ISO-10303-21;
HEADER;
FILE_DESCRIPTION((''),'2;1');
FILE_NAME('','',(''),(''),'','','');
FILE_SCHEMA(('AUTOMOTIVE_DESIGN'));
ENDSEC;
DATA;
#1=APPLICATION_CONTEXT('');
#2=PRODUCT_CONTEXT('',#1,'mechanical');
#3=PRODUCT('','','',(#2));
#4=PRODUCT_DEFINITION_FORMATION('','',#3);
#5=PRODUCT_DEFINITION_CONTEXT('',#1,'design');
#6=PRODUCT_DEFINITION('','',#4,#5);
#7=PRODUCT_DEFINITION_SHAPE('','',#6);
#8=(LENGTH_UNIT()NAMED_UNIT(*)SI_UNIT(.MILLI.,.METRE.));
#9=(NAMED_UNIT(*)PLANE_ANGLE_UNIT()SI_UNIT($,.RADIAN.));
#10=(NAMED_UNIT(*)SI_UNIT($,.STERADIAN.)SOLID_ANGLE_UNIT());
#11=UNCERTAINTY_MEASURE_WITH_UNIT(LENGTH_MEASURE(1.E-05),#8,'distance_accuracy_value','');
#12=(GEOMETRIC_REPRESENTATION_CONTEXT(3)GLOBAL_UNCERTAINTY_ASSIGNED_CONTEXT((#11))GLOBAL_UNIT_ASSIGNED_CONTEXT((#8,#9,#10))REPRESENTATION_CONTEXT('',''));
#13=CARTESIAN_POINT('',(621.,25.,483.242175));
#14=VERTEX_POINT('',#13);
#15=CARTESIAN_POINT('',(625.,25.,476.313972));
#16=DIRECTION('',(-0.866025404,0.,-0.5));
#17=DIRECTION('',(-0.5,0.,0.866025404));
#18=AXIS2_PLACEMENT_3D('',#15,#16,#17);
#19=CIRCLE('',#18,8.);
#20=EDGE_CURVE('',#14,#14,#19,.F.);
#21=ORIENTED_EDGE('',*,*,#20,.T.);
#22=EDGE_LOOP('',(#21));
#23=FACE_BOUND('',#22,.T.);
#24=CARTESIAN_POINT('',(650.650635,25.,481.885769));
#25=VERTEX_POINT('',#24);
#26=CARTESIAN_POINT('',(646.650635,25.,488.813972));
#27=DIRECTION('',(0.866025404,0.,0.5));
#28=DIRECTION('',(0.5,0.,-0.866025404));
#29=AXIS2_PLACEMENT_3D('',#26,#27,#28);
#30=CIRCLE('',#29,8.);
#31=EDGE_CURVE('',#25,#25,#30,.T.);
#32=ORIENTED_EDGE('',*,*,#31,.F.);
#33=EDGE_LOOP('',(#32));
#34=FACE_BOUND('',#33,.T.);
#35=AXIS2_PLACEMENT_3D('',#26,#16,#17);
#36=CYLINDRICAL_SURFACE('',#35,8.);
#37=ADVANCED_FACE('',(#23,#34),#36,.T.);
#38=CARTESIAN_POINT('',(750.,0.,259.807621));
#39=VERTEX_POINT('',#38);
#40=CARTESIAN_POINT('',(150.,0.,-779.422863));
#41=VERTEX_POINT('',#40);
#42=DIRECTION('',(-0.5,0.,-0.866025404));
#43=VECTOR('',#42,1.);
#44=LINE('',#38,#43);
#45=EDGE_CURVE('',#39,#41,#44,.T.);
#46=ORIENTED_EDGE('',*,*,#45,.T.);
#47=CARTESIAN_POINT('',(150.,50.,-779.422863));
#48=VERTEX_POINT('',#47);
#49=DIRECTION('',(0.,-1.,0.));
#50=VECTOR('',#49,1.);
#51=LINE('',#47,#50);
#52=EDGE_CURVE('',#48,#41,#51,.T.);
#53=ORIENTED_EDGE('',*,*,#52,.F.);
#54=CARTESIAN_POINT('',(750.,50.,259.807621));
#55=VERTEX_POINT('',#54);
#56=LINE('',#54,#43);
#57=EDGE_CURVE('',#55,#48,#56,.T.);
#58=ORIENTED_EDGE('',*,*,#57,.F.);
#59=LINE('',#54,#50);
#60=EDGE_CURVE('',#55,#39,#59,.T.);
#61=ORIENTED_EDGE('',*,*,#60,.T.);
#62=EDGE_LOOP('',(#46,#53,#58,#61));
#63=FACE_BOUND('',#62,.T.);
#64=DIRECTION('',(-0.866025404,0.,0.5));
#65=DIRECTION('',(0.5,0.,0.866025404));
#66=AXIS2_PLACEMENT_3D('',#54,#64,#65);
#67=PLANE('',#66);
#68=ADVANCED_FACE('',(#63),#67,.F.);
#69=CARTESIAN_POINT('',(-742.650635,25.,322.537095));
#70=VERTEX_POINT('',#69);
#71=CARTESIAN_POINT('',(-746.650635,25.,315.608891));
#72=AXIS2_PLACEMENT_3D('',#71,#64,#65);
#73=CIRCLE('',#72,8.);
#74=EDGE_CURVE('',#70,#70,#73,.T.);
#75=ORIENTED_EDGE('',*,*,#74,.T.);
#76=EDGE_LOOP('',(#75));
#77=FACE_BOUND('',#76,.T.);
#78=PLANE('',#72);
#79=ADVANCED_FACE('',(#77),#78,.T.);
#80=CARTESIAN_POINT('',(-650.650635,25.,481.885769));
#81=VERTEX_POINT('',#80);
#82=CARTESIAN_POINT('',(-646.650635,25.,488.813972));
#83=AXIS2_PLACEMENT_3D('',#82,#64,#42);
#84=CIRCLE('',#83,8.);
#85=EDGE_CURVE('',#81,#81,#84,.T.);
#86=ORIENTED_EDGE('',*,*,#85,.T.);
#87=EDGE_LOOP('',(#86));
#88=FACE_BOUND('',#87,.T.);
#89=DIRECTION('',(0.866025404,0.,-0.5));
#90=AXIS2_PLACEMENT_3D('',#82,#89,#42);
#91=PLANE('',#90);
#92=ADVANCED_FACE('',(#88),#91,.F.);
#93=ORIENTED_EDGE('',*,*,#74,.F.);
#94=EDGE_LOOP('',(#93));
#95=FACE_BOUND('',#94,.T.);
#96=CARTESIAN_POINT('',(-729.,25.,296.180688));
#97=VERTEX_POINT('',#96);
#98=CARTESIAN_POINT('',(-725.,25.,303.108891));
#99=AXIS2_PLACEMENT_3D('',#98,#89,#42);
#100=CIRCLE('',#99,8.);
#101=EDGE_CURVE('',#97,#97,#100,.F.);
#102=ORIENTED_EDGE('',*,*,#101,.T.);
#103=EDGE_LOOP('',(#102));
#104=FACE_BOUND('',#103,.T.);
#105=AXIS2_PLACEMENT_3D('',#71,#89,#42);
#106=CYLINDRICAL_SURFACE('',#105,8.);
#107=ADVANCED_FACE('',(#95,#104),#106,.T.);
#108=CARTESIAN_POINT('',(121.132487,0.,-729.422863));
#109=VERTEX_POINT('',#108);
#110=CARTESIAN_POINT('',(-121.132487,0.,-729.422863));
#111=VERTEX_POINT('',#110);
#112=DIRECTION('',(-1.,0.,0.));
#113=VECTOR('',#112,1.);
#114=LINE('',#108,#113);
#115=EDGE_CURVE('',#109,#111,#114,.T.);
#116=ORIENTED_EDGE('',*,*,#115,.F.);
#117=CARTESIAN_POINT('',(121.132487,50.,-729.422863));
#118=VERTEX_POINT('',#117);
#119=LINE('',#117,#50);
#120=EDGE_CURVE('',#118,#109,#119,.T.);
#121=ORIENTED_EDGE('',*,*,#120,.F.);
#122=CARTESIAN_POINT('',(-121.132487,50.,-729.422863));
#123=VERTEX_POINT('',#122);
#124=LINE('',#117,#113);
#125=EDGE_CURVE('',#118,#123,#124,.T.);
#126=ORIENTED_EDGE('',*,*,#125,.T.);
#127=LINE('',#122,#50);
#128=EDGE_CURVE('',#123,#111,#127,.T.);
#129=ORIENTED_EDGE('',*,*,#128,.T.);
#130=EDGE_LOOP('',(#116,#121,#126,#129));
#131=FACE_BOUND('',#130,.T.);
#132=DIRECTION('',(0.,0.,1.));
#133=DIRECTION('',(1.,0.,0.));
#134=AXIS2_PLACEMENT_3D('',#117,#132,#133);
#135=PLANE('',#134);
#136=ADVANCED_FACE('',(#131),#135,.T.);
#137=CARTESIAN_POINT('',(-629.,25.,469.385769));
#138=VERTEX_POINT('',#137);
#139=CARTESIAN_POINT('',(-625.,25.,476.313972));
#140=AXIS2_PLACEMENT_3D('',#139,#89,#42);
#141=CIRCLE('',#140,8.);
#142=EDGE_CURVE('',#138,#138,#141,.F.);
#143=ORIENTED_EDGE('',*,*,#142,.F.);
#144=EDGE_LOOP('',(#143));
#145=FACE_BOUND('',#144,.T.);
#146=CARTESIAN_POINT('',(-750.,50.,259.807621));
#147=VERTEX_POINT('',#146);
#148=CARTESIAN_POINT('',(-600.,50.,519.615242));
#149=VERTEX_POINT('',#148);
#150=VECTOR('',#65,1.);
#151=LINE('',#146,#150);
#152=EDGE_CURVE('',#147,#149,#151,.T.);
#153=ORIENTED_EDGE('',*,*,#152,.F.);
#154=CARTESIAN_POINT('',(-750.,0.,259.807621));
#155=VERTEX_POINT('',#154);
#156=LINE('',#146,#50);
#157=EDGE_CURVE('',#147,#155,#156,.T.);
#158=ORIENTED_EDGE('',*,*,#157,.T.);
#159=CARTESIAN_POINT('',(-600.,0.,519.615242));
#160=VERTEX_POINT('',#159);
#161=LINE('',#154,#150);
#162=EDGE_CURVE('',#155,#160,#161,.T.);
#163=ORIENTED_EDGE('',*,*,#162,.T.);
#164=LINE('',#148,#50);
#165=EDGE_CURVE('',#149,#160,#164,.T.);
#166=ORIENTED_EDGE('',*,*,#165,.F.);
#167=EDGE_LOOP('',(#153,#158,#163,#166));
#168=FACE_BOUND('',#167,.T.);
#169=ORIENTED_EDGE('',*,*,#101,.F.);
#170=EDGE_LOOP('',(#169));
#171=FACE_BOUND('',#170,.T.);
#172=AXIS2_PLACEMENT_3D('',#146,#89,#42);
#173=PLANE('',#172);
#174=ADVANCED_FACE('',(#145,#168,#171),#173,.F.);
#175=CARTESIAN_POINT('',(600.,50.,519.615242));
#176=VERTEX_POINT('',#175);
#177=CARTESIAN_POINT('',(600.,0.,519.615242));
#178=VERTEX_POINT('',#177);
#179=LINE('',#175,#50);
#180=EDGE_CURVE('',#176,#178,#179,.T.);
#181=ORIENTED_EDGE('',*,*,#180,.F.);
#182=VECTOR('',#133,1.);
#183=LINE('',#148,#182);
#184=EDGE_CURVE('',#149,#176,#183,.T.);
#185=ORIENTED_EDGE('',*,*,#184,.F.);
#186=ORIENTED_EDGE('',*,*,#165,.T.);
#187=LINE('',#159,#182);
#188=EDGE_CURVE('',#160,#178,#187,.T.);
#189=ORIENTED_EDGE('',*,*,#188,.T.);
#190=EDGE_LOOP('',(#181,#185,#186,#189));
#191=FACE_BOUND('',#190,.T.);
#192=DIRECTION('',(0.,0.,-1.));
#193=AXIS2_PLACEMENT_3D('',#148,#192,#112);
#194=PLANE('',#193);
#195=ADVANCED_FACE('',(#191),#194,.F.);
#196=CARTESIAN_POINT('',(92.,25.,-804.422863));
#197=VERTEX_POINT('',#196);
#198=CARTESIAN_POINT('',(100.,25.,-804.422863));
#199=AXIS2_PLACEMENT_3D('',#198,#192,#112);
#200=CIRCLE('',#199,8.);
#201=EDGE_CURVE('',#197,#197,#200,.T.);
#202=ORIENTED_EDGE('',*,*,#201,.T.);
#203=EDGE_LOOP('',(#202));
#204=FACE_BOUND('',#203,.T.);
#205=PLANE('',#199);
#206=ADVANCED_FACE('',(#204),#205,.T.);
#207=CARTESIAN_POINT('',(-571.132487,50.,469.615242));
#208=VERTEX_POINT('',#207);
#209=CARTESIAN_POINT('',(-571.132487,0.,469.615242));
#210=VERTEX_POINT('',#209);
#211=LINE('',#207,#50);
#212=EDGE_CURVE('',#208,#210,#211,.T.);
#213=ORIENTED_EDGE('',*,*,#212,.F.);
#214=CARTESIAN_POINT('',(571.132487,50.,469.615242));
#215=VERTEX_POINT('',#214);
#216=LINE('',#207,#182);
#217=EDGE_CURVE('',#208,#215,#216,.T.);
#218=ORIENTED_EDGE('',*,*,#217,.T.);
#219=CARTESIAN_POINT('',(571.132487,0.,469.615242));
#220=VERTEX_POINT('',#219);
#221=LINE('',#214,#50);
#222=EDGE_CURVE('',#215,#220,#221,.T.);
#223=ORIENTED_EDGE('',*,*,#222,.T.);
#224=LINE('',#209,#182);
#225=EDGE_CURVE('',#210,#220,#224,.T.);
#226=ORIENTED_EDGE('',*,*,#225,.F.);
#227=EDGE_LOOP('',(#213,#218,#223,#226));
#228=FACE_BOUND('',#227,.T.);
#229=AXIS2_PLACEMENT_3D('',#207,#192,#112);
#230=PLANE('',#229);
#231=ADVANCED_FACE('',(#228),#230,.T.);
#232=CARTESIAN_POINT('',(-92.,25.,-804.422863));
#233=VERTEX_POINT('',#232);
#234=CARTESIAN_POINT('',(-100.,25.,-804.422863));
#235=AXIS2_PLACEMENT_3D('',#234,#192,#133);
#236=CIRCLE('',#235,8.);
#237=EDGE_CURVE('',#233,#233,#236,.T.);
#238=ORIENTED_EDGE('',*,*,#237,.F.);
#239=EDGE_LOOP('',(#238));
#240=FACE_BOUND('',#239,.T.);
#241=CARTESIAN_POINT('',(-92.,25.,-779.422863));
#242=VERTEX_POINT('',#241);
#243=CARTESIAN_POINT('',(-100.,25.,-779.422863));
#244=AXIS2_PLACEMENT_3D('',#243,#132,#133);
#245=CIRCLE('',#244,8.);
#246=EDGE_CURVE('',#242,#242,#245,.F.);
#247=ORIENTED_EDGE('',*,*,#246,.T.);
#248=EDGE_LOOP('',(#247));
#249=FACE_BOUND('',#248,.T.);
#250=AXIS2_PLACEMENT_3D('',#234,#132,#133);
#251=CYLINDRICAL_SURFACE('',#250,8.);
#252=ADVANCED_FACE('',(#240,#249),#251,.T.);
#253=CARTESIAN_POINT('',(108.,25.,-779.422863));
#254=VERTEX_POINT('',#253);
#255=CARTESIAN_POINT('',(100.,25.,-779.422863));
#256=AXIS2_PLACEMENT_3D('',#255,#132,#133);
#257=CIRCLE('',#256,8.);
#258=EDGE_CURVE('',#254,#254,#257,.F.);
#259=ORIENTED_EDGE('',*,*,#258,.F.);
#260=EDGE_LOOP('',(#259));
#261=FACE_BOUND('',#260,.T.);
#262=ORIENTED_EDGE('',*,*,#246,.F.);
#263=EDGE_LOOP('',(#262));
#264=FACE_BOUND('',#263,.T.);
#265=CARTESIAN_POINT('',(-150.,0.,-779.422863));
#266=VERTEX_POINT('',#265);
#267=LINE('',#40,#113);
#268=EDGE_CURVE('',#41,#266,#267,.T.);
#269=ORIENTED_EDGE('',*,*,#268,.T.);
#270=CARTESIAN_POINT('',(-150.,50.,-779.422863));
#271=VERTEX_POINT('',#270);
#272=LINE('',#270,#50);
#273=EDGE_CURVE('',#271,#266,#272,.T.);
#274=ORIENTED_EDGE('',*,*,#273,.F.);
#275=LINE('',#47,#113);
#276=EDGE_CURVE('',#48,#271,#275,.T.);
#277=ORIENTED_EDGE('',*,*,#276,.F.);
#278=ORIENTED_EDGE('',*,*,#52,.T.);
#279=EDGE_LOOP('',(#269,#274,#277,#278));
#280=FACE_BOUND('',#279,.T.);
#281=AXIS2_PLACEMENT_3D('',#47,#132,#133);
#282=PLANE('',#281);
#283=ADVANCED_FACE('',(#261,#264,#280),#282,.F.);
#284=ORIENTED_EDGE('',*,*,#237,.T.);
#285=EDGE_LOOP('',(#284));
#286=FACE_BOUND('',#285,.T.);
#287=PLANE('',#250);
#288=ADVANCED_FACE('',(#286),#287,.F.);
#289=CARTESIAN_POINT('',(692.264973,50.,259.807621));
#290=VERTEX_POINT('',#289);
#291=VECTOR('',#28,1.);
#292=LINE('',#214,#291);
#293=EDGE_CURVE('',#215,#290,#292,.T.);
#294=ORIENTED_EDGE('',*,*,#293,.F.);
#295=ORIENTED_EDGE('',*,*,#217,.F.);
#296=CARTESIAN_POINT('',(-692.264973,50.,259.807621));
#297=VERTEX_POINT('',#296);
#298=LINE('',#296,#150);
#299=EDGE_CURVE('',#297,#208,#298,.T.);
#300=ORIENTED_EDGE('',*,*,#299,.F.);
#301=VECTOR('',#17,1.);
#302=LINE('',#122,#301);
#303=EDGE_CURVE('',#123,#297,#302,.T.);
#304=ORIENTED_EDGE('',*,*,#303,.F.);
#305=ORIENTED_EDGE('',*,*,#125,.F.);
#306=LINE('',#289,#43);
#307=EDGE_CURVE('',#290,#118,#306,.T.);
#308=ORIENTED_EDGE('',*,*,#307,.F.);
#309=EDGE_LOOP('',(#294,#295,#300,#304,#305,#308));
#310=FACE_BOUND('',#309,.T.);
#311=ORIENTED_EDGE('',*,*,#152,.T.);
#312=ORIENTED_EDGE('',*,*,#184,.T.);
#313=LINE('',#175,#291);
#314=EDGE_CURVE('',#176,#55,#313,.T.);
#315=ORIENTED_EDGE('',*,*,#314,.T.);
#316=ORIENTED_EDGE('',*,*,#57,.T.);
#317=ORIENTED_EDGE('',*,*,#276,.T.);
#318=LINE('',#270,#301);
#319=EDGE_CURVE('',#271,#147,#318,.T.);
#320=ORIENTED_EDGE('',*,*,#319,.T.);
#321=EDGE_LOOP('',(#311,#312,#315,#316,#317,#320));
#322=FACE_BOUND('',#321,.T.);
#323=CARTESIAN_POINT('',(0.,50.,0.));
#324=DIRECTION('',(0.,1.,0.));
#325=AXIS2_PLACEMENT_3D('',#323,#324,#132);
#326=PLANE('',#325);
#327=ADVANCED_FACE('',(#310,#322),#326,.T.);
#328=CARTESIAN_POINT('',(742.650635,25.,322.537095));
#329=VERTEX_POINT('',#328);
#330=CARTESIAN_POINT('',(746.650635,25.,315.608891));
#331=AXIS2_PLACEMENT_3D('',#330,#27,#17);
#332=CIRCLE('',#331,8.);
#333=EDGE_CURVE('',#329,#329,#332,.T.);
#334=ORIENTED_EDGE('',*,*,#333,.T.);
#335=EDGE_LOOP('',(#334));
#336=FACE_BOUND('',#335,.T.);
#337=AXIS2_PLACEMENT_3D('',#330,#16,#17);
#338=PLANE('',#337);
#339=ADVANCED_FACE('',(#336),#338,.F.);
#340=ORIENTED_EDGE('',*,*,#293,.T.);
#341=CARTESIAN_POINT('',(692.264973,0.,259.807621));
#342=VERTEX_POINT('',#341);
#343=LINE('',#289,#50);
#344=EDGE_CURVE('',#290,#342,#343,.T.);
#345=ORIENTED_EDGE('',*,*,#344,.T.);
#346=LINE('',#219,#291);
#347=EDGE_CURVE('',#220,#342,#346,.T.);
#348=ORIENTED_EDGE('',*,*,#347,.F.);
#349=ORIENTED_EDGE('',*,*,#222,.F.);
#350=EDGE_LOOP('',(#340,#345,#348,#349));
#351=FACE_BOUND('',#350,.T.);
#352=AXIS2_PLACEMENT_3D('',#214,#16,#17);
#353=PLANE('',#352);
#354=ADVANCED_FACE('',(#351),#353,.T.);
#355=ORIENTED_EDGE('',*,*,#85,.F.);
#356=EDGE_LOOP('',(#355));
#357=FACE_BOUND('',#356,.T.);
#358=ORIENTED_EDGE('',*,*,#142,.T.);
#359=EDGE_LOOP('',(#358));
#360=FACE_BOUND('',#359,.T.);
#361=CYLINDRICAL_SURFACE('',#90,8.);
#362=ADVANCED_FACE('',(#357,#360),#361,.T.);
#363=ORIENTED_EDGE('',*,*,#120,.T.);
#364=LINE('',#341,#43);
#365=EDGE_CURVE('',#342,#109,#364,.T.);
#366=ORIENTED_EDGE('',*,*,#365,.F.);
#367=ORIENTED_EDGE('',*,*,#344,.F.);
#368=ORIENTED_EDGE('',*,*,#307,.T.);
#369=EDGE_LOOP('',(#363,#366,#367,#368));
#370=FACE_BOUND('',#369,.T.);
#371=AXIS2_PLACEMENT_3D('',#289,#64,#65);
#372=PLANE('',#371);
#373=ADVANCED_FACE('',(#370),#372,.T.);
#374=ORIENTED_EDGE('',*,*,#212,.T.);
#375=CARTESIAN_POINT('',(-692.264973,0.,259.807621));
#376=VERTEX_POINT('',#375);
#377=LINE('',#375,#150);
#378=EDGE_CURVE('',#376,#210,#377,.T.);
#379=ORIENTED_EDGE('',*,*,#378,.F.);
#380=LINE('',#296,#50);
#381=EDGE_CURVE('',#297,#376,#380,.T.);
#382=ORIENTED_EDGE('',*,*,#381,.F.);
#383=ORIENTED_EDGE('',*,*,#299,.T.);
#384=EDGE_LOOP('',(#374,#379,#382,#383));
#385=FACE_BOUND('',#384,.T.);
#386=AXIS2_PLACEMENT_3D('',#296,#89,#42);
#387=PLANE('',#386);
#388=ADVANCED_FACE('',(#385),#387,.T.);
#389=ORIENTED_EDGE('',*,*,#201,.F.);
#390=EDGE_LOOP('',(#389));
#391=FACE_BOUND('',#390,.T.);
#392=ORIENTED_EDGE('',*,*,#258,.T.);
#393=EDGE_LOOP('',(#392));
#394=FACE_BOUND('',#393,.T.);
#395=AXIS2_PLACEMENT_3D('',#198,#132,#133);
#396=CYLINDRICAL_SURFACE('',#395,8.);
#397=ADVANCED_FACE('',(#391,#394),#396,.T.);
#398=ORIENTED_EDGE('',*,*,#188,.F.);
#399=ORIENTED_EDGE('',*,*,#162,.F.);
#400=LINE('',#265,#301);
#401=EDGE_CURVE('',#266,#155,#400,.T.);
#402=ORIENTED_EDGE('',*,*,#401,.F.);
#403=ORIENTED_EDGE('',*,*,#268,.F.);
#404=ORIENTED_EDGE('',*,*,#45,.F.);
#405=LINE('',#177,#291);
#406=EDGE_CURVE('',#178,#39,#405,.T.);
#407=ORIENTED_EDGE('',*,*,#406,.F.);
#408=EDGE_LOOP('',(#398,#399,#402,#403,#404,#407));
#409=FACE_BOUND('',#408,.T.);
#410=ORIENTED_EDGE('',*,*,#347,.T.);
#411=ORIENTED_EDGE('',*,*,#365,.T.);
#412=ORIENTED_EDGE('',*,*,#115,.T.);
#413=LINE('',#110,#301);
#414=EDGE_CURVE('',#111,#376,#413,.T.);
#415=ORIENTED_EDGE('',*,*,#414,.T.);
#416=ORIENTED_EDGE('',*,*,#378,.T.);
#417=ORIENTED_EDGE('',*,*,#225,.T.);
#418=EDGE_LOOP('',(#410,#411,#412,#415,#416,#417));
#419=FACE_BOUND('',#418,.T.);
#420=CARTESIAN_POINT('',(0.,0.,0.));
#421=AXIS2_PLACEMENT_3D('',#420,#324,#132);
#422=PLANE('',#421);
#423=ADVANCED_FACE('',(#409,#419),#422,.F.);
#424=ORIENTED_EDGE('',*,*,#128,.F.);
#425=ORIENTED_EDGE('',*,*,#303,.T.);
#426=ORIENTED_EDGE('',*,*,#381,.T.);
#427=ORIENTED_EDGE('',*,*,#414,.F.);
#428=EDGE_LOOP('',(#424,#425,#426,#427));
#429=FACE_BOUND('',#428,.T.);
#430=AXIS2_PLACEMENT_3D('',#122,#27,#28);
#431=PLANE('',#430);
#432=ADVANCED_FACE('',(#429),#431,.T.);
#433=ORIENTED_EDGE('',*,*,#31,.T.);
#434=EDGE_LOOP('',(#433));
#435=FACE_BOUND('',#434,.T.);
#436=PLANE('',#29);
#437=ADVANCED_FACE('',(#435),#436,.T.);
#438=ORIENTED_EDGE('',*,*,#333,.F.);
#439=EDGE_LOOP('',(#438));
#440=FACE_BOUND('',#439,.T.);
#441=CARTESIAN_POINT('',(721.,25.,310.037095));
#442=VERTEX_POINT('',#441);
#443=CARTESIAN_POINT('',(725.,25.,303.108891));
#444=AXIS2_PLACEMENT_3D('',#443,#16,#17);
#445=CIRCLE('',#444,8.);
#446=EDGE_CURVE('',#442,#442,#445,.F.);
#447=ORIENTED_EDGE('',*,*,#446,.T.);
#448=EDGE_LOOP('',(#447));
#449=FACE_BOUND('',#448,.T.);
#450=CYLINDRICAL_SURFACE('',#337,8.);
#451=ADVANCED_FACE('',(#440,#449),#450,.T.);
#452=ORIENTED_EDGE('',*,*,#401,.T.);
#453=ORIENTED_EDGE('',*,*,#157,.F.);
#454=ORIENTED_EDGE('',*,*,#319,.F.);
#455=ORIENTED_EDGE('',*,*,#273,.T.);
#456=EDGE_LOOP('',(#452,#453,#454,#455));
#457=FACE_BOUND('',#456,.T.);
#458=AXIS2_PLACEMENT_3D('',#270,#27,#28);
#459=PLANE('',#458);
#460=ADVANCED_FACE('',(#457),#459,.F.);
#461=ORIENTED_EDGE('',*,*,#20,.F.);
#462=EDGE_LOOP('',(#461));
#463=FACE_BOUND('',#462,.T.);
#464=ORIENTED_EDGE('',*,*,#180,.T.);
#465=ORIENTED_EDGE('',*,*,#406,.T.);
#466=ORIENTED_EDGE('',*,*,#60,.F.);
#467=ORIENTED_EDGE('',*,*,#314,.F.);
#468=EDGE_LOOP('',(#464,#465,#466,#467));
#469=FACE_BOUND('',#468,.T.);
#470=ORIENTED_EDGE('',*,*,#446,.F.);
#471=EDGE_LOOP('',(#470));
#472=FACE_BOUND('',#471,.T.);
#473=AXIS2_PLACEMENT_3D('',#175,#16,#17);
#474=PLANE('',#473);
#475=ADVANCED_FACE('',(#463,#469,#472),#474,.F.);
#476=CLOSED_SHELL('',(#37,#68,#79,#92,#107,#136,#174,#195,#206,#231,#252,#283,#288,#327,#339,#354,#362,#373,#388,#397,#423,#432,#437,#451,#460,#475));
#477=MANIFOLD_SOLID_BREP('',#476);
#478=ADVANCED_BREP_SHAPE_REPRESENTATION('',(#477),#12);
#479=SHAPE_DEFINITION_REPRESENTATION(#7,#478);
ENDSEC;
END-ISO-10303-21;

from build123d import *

# Parameters (mm, degrees)
BOSS_EXTRUDE1_DEPTH = 50
SKETCH2_R           = 8
BOSS_EXTRUDE2_DEPTH = 25
CIRPATTERN1_COUNT   = 3


with BuildPart() as part:
    # Sketch1 → Boss-Extrude1 (new body)
    with BuildSketch(Plane(origin=(0, 0, 0), x_dir=(1, 0, 0), z_dir=(0, 1, 0))):
        Polygon((-600, -519.615242271), (600, -519.615242271), (750, -259.807621135), (150, 779.422863406), (-150, 779.422863406), (-750, -259.807621135), align=None)
        Polygon((-121.132486541, 729.422863406), (-692.264973081, -259.807621135), (-571.132486541, -469.615242271), (571.132486541, -469.615242271), (692.264973081, -259.807621135), (121.132486541, 729.422863406), align=None, mode=Mode.SUBTRACT)
    extrude(amount=BOSS_EXTRUDE1_DEPTH)

    # Sketch2 → Boss-Extrude2 (add)
    with BuildSketch(Plane(origin=(675, 0, 389.711431703), x_dir=(0.5000000000000172, 0, -0.8660254037844287), z_dir=(0.8660254037844287, 0, 0.5000000000000172))):
        with Locations((-100, 25)):
            Circle(SKETCH2_R)
        with Locations((100, 25)):
            Circle(SKETCH2_R)
    boss_extrude2 = extrude(amount=BOSS_EXTRUDE2_DEPTH)

    # CirPattern1: Boss-Extrude2 ×3 about axis
    cirpattern1_axis = Axis((0, 52.5, 0), (0, -1, 0))
    for i in range(1, CIRPATTERN1_COUNT):
        add(boss_extrude2.rotate(cirpattern1_axis, i * 360 / CIRPATTERN1_COUNT))


solid = part.part
